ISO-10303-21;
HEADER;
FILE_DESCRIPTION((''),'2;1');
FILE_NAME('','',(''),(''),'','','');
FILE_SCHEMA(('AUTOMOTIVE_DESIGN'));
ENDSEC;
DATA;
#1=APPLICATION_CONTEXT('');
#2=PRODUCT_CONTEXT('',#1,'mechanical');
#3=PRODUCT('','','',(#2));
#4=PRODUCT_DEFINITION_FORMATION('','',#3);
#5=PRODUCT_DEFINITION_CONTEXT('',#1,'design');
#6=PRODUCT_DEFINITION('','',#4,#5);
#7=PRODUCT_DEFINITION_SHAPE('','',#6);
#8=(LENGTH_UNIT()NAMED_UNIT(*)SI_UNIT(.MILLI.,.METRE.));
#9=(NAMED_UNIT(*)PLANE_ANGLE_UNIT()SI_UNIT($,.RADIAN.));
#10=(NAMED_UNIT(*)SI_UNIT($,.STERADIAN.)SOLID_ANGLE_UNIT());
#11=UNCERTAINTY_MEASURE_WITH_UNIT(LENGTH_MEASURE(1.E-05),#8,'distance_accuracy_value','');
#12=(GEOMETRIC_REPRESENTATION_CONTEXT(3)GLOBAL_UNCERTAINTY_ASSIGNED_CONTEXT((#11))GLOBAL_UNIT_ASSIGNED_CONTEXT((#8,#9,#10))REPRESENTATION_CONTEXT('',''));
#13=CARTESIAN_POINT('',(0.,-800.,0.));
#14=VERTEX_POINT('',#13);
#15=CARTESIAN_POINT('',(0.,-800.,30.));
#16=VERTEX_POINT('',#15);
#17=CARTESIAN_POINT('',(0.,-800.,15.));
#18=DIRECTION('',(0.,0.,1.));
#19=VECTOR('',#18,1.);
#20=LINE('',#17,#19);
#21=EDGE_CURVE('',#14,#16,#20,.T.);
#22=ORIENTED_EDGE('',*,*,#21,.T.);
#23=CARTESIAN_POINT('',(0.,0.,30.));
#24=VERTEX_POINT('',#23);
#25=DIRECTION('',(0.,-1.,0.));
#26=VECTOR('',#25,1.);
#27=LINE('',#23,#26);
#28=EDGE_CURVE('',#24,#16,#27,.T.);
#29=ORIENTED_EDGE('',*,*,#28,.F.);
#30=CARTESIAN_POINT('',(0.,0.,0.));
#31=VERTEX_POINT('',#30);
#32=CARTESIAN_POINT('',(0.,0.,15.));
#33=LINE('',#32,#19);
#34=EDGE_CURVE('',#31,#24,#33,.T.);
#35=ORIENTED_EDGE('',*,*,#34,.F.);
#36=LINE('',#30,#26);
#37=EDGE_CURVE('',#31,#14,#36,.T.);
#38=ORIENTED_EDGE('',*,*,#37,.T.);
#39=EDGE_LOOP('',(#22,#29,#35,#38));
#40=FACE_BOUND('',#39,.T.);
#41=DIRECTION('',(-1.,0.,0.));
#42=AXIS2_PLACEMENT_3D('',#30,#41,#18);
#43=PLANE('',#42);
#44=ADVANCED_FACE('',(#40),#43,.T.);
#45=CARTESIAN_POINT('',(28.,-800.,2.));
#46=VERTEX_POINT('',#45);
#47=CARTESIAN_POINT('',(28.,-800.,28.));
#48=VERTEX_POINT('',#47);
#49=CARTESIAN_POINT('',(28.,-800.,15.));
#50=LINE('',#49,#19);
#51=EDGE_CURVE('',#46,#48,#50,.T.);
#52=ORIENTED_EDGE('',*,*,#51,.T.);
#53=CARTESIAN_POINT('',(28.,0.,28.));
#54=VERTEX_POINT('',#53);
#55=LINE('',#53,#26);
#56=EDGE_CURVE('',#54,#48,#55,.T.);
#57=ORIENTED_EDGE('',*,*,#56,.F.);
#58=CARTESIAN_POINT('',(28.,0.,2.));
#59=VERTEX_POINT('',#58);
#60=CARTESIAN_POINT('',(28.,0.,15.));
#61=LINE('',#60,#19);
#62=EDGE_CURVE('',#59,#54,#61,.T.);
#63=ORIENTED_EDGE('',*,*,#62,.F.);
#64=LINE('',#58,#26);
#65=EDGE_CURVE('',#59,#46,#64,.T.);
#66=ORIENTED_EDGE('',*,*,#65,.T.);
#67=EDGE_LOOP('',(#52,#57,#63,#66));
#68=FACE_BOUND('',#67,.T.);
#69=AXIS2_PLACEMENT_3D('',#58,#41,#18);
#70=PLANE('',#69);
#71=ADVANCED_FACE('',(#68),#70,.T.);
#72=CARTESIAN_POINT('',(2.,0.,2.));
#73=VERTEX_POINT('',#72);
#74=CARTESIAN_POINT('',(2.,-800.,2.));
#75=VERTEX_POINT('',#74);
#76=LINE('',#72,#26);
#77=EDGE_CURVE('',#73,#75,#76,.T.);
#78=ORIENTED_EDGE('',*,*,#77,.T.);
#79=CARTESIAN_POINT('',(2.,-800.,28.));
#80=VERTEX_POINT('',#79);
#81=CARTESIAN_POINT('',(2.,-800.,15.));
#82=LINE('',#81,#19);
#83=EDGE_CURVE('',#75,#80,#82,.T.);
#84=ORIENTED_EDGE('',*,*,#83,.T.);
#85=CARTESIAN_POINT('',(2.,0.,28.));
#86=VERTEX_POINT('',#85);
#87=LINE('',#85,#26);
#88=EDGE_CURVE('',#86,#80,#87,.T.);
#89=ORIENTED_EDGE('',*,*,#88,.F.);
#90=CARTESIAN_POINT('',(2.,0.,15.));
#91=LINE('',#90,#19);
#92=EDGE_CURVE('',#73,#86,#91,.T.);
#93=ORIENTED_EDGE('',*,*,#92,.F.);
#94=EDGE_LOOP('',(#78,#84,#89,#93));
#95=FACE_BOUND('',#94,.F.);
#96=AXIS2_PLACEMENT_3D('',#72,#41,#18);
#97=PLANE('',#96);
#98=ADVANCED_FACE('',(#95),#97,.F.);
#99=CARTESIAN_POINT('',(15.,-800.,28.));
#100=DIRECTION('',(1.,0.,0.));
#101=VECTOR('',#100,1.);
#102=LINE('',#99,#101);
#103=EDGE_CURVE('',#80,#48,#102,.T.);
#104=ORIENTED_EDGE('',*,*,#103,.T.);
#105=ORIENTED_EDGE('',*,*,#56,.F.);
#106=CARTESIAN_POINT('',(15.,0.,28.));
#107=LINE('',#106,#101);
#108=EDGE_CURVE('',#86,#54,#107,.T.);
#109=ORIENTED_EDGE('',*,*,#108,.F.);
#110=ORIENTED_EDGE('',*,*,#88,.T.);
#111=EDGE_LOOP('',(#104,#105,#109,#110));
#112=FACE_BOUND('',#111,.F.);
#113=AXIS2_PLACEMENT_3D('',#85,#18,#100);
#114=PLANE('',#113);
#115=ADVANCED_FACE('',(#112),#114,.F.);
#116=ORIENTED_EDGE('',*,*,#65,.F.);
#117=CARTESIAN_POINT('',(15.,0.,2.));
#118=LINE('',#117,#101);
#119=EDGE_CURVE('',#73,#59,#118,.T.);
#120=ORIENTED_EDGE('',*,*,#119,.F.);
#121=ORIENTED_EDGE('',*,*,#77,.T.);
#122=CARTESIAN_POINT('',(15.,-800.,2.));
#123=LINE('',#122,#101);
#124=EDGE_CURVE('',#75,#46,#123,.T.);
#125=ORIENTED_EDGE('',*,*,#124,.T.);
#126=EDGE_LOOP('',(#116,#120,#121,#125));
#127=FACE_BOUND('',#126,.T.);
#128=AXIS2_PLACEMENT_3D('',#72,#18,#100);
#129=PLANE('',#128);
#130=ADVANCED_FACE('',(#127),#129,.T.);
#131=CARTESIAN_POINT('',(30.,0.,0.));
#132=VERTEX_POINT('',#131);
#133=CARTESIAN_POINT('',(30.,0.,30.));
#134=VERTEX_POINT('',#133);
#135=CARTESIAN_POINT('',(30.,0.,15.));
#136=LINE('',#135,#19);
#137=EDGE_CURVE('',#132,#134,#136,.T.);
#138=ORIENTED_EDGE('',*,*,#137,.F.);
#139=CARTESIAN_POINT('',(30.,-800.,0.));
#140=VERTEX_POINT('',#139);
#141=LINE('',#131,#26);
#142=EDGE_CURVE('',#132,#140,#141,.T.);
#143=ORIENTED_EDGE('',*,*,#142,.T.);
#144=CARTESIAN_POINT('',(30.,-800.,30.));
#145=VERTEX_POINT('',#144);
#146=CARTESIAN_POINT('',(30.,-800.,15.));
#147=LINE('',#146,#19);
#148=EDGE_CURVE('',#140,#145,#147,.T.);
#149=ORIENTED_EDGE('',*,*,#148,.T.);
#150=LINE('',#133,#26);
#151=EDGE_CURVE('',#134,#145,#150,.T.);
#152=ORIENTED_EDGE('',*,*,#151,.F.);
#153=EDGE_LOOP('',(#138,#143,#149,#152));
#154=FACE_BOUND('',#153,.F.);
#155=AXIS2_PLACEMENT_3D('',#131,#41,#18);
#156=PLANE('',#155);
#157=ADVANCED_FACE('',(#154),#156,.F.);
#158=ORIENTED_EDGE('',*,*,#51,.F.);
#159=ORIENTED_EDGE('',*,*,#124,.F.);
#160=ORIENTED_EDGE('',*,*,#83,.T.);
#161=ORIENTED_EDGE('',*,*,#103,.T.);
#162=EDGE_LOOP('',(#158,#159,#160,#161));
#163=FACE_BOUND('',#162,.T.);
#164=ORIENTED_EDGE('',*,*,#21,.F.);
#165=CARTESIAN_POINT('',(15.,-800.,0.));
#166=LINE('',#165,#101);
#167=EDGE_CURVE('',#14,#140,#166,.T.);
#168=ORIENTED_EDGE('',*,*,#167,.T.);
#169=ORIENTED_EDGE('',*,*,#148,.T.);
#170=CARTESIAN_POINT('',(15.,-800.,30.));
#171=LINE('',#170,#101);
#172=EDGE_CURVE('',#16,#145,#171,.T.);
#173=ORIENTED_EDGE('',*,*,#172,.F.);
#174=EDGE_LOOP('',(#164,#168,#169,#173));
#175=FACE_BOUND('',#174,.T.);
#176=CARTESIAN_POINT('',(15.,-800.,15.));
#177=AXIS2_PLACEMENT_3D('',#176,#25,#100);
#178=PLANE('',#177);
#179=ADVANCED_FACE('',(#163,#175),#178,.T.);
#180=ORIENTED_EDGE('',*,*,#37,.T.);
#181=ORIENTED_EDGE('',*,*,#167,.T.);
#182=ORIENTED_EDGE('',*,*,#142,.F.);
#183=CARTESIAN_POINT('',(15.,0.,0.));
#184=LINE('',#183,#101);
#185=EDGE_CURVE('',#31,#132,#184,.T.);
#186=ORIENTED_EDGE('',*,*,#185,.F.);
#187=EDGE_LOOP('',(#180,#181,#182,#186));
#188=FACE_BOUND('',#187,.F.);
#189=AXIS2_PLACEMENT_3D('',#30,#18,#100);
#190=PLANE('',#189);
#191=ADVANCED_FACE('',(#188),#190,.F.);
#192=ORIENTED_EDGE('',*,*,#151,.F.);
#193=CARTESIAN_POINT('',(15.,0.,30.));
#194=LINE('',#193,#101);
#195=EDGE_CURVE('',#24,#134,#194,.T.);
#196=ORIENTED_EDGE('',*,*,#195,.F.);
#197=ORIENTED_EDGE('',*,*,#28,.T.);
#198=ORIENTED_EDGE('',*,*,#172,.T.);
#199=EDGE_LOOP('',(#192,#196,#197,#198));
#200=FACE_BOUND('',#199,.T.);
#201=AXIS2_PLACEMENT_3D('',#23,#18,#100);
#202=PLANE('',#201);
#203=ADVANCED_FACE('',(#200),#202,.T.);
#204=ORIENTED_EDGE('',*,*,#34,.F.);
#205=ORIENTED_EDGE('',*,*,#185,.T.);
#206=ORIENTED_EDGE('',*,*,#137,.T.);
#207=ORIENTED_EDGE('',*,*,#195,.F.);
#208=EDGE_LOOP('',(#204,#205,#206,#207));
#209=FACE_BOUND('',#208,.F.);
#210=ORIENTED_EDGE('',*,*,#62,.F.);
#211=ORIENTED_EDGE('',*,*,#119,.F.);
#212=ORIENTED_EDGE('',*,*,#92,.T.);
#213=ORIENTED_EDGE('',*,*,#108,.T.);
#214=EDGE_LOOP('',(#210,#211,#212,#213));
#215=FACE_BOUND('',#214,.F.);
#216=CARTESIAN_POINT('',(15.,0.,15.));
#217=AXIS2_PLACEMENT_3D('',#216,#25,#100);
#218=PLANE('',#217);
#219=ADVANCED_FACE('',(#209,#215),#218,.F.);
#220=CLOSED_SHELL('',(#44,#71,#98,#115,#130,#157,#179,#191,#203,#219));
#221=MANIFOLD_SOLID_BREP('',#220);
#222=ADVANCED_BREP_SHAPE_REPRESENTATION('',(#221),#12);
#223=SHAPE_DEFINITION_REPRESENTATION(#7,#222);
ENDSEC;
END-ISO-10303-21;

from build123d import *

# Parameters (mm, degrees)
SKETCH_W   = 30
SKETCH_H   = 30
SKETCH_W_2 = 26
SKETCH_H_2 = 26
PAD_DEPTH  = 800


with BuildPart() as part:
    # Sketch → Pad (new body)
    with BuildSketch(Plane.XZ):
        with Locations((15, 15)):
            Rectangle(SKETCH_W, SKETCH_H)
        with Locations((15, 15)):
            Rectangle(SKETCH_W_2, SKETCH_H_2, mode=Mode.SUBTRACT)
    extrude(amount=PAD_DEPTH)


solid = part.part
